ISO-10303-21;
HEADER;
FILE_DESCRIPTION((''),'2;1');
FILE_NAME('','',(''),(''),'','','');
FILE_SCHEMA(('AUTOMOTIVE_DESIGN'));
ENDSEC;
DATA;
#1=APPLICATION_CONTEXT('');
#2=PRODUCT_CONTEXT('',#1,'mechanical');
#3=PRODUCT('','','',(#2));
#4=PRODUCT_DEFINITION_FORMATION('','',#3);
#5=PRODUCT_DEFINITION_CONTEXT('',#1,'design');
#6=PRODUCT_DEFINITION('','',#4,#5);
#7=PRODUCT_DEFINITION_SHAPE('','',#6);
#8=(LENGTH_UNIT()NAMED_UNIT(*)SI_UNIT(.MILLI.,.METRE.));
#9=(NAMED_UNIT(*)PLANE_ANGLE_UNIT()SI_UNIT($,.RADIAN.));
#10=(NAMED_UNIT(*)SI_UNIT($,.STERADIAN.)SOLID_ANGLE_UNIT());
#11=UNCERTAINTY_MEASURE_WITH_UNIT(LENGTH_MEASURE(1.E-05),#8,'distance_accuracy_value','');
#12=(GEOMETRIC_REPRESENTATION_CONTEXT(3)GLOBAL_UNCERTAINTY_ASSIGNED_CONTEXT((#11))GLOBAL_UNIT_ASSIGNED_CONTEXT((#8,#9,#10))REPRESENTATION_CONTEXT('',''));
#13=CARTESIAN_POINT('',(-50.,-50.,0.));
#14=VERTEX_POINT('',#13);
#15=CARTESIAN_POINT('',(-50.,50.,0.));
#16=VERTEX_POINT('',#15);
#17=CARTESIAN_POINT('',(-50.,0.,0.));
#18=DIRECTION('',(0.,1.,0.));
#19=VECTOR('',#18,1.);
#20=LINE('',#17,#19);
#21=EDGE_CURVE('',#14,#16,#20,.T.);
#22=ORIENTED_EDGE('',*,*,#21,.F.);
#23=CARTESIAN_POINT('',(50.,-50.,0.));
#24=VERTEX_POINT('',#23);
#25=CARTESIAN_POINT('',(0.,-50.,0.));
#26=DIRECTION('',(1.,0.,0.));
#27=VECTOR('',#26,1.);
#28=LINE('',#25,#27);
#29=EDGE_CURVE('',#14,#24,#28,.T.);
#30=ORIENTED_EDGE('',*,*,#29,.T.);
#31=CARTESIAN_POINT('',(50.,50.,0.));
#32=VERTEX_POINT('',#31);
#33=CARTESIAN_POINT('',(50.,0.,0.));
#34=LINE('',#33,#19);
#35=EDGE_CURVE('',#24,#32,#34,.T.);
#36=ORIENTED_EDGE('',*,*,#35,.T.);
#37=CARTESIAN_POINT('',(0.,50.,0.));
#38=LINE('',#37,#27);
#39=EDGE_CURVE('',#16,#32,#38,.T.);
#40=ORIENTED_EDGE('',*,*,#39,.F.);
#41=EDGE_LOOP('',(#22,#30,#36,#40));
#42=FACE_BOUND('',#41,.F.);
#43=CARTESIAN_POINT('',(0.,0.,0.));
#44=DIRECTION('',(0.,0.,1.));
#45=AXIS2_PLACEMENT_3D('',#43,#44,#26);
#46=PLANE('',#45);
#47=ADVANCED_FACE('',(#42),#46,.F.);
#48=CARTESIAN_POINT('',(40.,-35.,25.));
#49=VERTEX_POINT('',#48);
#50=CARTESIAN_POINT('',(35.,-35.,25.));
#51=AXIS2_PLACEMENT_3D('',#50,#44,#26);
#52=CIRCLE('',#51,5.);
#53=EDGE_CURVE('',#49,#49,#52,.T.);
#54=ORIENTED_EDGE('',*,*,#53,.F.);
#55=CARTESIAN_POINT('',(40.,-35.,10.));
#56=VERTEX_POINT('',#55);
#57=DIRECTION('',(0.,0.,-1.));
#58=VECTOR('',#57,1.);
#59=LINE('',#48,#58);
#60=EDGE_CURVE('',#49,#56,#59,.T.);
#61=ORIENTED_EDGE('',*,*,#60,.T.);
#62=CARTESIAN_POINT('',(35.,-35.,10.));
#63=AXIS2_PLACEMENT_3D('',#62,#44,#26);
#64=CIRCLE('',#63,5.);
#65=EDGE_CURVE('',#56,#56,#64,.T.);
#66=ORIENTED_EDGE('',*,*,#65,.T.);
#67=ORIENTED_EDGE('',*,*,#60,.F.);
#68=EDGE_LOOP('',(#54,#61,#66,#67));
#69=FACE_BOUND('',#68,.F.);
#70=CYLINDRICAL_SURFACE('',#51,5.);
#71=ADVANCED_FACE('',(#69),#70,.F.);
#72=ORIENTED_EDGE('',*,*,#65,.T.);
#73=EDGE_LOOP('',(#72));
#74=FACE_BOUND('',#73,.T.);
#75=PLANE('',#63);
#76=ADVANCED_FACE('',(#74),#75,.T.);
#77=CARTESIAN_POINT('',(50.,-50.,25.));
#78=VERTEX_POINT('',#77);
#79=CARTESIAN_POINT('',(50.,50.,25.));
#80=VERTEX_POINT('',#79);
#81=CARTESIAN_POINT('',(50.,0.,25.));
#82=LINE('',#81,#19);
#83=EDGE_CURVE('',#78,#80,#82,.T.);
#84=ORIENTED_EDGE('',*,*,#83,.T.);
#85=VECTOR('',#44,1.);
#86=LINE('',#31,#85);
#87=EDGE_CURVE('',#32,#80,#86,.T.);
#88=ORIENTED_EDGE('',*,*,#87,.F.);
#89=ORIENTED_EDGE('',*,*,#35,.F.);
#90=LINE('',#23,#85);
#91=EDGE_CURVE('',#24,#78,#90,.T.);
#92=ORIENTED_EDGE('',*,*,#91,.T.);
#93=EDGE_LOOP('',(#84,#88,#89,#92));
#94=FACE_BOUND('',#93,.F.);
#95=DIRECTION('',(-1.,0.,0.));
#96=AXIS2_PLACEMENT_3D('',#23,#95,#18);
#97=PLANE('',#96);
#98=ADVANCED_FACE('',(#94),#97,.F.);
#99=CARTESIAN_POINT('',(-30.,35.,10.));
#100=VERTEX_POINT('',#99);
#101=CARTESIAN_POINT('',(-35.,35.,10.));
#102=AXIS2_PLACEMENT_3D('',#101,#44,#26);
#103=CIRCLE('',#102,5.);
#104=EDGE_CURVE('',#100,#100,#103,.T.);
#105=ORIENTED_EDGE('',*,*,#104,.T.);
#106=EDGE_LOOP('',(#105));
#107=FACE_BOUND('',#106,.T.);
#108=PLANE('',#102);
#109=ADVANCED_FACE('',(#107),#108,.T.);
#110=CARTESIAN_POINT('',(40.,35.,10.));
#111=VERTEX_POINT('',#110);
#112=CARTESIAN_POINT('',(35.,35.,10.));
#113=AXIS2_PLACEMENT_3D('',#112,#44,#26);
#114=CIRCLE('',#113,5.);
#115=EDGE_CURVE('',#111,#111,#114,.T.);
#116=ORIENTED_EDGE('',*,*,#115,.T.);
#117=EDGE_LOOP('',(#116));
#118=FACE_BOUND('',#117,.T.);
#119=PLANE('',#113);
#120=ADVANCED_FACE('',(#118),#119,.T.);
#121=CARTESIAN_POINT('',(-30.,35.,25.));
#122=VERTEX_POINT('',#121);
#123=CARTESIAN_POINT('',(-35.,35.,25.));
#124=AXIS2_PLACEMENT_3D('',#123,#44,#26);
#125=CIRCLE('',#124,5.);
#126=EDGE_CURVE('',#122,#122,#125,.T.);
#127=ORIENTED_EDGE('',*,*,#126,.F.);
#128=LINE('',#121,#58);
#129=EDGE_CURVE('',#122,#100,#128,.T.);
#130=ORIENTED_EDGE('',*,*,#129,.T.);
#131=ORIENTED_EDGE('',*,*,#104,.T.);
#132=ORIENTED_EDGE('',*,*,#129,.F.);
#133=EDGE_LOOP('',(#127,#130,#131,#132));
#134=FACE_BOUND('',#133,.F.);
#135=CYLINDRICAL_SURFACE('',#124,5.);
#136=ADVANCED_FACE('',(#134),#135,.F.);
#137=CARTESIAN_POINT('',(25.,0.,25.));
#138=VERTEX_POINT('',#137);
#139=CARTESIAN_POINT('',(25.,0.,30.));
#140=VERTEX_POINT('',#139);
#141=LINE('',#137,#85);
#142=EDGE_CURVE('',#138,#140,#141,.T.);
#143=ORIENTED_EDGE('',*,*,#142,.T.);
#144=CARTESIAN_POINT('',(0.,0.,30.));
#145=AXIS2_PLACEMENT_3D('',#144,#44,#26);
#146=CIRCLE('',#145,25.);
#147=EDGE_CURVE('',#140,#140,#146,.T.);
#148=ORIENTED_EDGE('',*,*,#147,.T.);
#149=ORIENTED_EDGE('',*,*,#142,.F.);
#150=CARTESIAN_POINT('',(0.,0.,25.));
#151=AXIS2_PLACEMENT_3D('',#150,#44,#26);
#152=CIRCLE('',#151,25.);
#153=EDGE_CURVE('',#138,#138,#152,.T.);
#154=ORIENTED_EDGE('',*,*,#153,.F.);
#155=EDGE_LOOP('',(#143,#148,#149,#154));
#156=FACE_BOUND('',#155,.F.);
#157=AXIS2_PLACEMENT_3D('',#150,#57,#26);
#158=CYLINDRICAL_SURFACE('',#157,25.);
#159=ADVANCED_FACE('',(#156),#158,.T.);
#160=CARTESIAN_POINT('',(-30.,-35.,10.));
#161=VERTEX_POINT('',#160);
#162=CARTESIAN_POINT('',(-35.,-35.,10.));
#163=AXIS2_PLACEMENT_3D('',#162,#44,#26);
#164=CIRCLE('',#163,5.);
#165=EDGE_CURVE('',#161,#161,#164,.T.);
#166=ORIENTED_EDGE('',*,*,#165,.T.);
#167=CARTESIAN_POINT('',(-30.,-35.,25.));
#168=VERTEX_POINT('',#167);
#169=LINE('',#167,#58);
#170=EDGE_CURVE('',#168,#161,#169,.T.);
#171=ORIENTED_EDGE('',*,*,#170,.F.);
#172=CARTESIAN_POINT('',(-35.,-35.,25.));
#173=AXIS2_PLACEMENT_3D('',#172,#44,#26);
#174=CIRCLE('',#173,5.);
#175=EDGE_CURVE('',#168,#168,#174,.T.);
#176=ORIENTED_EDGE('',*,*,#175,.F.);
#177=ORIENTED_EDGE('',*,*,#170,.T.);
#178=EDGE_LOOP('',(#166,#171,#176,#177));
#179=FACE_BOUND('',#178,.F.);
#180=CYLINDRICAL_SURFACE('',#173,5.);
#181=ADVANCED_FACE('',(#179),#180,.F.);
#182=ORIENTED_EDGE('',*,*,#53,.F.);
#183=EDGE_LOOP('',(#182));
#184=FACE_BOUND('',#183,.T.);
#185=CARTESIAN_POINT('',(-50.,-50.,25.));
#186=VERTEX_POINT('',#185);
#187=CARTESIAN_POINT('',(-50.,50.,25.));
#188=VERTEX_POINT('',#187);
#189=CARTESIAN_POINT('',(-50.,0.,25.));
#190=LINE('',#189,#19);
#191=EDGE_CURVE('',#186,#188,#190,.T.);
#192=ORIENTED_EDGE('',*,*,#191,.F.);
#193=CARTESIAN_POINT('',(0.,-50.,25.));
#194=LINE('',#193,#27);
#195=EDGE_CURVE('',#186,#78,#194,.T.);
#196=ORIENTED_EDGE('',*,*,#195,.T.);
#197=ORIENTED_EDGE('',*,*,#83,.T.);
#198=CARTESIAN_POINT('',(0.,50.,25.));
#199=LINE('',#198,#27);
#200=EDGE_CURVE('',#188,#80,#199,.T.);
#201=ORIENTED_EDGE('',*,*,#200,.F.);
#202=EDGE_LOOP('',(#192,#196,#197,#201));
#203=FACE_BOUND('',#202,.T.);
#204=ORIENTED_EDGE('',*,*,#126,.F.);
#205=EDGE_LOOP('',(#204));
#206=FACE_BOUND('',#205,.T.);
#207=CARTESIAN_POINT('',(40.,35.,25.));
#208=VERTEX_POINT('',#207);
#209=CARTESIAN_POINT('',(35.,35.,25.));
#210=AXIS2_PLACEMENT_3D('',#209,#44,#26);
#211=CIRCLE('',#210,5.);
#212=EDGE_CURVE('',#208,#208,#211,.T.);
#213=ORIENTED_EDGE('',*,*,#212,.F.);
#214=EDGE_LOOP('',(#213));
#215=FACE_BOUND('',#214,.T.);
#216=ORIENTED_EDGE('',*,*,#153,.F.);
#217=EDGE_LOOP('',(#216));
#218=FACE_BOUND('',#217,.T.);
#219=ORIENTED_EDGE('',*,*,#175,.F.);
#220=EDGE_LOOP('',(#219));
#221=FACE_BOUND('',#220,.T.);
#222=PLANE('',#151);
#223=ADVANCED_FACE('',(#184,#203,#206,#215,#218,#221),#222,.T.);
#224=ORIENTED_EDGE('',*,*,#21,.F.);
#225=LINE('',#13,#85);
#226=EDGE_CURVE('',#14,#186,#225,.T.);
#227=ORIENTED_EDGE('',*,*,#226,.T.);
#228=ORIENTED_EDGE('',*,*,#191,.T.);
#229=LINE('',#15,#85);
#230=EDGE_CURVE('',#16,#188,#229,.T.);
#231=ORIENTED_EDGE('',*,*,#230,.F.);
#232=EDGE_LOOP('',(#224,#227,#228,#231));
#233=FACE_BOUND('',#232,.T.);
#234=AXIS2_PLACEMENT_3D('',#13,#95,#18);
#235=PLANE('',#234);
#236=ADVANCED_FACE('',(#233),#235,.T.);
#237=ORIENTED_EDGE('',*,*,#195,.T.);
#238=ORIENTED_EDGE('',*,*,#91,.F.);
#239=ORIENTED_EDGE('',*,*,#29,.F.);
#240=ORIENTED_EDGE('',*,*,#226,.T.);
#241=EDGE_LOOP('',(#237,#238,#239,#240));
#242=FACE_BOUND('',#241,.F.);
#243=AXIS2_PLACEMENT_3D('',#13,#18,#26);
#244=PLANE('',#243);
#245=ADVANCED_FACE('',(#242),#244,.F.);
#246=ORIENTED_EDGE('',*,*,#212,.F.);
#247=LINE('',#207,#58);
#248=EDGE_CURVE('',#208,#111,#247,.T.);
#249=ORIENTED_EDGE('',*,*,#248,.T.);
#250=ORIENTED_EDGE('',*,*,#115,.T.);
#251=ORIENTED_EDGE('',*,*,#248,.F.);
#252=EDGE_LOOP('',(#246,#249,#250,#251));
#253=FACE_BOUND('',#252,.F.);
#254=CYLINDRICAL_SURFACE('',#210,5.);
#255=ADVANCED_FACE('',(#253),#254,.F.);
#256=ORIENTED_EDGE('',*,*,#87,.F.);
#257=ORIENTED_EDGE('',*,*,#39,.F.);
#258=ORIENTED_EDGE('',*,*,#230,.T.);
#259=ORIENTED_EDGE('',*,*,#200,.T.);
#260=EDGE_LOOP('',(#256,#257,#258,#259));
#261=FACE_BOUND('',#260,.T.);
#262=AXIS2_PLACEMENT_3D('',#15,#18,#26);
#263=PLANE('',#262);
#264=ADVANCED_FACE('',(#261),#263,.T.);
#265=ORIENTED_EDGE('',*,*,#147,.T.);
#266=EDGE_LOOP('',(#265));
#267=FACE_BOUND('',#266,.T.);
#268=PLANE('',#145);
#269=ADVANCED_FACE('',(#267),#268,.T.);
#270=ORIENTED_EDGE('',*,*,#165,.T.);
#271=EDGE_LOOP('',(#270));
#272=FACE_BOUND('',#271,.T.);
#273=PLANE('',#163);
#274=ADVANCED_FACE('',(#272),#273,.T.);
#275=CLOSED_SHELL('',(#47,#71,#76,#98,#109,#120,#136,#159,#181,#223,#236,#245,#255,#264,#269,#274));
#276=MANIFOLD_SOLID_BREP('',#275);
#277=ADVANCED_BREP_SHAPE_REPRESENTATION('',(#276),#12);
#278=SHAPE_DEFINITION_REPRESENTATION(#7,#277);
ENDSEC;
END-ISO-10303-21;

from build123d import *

# Parameters (mm, degrees)
F0_W     = 100
F0_H     = 100
F1_DEPTH = 25
F2_R     = 25
F3_DEPTH = 5
F4_R     = 5
F5_DEPTH = 15


with BuildPart() as f1:
    # F0 (on Top) → F1 (new body)
    with BuildSketch(Plane.XY):
        Rectangle(F0_W, F0_H)
    extrude(amount=F1_DEPTH)

    # F2 (on face) → F3 (join)
    with BuildSketch(Plane.XY.offset(25)):
        Circle(F2_R)
    extrude(amount=F3_DEPTH)

    # F4 (on face) → F5 (cut)
    with BuildSketch(Plane.XY.offset(25)):
        with Locations((-35, -35)):
            Circle(F4_R)
        with Locations((-35, 35)):
            Circle(F4_R)
        with Locations((35, 35)):
            Circle(F4_R)
        with Locations((35, -35)):
            Circle(F4_R)
    extrude(amount=-F5_DEPTH, mode=Mode.SUBTRACT)


solid = f1.part
